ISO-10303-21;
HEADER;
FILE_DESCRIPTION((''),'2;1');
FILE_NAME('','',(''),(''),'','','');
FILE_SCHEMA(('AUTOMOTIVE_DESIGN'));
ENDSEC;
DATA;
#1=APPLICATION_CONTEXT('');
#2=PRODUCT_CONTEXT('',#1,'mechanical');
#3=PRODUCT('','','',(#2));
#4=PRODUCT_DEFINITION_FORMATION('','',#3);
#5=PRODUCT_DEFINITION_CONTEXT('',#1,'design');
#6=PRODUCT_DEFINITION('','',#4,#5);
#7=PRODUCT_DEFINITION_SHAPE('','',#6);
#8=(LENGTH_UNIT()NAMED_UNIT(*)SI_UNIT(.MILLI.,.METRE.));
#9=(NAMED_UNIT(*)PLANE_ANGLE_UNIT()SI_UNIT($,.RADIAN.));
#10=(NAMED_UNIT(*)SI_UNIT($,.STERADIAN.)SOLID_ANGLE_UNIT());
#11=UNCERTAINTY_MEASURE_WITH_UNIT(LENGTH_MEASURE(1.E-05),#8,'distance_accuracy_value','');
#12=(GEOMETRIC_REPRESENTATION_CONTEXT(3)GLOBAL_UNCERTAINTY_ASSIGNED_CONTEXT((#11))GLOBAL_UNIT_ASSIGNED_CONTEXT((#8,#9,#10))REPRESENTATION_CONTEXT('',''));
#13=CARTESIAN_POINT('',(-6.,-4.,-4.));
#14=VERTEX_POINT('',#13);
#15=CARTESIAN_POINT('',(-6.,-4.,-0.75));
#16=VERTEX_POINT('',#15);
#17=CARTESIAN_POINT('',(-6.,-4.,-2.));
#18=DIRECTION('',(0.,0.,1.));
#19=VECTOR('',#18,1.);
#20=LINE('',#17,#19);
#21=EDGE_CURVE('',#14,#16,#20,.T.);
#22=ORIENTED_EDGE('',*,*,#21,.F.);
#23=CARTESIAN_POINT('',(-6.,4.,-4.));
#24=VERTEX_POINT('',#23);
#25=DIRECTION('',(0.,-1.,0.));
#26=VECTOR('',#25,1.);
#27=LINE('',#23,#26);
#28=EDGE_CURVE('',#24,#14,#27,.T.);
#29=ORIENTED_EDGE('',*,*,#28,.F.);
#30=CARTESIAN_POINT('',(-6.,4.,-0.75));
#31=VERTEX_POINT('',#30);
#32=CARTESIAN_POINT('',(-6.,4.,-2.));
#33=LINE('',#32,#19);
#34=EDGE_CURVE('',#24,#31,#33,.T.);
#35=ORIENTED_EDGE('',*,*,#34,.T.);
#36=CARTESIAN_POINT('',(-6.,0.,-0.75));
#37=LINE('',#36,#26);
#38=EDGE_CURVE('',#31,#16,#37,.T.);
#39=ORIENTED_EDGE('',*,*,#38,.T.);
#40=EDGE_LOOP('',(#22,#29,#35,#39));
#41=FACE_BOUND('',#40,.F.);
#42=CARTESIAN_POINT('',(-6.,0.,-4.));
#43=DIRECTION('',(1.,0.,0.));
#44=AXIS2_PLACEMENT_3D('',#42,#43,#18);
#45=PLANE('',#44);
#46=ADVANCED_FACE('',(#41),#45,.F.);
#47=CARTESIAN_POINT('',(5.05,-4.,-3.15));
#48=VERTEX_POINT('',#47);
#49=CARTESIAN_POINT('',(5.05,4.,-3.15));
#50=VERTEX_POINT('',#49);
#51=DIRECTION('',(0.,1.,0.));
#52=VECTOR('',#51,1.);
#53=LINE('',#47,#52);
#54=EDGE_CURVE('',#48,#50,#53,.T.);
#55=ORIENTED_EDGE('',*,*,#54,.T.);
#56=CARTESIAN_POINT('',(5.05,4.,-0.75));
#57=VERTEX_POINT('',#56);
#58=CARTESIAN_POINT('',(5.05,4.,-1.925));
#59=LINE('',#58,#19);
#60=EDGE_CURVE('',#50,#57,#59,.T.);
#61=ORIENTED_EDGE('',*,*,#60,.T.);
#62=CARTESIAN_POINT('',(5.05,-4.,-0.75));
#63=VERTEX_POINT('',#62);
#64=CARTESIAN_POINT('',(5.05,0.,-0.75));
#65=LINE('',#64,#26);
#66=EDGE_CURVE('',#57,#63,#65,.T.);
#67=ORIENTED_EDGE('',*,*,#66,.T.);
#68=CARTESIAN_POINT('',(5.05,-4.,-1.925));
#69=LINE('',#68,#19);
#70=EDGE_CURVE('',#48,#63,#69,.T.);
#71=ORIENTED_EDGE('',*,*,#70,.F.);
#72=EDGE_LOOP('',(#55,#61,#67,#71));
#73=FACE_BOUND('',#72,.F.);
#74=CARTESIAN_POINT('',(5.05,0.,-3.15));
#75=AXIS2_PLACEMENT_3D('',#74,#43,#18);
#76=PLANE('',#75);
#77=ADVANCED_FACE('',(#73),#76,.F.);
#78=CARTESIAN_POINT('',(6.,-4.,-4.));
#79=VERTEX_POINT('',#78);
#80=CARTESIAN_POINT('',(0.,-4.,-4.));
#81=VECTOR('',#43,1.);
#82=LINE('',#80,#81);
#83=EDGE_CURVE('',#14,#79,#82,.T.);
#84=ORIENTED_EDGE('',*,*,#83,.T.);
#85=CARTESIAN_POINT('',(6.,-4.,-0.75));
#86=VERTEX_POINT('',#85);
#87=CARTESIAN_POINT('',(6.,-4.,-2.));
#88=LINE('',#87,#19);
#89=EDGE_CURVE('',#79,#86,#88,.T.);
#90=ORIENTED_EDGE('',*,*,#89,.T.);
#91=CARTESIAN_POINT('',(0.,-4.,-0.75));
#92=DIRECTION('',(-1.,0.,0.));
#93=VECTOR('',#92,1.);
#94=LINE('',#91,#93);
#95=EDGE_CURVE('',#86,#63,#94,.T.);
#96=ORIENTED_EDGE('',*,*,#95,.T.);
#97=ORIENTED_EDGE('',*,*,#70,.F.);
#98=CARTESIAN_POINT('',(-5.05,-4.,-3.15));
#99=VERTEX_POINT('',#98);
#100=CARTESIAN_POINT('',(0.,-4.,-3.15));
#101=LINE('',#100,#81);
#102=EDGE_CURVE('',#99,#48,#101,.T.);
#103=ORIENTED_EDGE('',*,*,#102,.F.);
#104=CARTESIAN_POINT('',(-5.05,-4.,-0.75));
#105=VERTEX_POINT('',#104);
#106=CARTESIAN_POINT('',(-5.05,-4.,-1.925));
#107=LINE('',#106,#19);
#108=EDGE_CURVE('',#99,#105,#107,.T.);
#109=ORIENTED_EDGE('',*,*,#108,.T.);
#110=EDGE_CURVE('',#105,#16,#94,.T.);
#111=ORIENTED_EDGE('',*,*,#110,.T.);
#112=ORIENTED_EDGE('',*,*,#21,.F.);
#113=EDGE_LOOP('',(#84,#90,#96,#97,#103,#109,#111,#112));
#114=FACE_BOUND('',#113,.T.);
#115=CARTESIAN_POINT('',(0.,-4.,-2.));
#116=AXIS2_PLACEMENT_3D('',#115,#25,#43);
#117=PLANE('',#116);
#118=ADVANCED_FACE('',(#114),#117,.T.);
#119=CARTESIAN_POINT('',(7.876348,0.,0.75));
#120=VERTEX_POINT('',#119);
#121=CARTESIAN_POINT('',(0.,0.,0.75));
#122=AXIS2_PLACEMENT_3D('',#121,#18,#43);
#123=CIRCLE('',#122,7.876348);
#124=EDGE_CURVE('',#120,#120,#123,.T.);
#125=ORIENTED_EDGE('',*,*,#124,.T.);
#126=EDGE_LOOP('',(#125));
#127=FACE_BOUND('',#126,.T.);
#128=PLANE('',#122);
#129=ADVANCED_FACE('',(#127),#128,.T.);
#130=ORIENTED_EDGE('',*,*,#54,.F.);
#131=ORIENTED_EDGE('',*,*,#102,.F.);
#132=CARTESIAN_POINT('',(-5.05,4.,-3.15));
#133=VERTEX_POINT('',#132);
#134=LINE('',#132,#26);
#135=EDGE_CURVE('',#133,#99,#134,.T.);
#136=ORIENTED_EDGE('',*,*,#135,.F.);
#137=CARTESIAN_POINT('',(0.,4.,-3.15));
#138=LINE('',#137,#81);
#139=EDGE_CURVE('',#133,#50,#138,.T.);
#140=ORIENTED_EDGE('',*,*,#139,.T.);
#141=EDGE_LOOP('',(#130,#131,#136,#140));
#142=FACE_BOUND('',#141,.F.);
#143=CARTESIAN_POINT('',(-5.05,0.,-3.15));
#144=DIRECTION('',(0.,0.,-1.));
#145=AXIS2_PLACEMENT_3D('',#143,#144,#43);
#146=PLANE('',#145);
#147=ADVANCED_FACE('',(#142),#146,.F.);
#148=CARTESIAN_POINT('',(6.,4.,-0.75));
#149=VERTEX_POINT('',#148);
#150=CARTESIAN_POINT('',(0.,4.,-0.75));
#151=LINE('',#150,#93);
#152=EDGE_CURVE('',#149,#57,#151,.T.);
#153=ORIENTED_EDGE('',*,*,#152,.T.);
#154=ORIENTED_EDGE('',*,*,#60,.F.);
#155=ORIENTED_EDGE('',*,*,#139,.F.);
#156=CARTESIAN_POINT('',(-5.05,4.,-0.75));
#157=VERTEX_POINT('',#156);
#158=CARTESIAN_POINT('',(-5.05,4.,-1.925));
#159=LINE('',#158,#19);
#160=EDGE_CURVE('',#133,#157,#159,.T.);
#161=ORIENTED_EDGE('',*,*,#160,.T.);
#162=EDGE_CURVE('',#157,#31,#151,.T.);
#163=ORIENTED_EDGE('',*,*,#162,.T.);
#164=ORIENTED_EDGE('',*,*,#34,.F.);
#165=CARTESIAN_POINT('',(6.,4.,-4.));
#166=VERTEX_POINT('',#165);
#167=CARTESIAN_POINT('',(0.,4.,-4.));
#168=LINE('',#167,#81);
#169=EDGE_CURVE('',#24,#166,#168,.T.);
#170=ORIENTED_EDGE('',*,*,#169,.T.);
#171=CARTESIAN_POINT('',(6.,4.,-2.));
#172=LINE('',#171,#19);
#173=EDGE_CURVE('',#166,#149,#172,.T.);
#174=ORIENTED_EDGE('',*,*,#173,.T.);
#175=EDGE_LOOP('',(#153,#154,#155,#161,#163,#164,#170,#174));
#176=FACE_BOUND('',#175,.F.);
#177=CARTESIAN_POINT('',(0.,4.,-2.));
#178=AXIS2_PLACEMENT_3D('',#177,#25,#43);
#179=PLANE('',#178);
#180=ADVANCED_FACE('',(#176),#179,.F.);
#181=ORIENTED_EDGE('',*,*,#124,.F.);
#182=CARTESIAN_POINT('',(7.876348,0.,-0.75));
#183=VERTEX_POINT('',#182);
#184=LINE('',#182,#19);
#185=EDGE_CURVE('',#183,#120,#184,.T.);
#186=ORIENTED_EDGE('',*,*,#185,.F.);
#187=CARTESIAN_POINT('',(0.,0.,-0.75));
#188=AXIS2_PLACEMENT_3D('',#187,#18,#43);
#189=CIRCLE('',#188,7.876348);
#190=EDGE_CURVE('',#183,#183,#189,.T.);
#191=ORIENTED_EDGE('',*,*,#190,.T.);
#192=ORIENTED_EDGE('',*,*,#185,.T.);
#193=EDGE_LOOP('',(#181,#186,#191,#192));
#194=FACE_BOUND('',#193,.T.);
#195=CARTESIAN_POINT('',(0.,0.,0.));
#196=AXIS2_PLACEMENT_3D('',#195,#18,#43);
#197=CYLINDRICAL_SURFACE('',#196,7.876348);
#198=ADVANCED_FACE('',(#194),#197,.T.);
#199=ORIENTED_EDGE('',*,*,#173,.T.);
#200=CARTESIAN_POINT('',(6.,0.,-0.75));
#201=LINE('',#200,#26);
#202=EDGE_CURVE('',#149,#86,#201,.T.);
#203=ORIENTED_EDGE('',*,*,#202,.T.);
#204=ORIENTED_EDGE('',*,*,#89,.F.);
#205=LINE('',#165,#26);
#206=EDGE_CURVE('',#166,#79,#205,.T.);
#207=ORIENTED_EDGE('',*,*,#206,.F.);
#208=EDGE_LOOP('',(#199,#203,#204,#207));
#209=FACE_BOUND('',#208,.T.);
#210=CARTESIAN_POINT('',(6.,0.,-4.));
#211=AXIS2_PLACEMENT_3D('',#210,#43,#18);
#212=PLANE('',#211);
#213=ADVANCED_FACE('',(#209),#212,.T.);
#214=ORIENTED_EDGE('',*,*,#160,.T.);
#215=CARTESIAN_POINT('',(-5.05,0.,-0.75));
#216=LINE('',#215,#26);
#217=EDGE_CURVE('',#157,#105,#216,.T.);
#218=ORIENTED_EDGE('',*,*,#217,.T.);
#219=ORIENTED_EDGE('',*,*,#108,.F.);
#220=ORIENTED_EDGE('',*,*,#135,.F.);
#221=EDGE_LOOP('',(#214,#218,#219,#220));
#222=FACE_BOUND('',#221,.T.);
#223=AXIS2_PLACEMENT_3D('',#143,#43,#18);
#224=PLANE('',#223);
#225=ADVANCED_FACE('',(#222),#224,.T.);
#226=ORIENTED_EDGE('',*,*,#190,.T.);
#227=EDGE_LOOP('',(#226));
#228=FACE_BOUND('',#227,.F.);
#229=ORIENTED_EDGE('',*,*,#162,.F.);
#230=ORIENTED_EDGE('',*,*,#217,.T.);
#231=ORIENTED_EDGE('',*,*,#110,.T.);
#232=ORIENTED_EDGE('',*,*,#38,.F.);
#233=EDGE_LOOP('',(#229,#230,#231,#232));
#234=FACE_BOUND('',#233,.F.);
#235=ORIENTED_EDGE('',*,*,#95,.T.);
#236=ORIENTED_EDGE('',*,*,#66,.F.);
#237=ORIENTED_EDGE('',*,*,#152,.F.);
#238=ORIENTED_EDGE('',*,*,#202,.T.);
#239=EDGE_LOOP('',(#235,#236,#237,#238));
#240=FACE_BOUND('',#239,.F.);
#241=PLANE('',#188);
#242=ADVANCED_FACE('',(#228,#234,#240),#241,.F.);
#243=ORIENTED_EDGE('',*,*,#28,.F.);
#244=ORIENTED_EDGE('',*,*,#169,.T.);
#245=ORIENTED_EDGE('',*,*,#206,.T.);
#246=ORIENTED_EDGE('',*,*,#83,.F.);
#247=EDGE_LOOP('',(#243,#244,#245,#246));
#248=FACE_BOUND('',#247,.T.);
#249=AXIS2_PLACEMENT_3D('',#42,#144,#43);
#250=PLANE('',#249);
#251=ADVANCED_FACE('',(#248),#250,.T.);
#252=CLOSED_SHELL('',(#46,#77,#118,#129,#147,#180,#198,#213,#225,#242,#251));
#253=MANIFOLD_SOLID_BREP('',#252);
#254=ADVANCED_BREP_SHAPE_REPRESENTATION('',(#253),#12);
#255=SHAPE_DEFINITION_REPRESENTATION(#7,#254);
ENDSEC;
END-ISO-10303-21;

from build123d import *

# Parameters (mm, degrees)
F0_W     = 12
F0_H     = 4
F0_W_2   = 10.1
F0_H_2   = 2.45
F1_DEPTH = 4
F2_R     = 7.876348
F3_DEPTH = 0.75


with BuildPart() as f1:
    # F0 (on Front) → F1 (new body, symmetric)
    with BuildSketch(Plane.XZ):
        with Locations((0, -2)):
            Rectangle(F0_W, F0_H)
        with Locations((0, -1.925)):
            Rectangle(F0_W_2, F0_H_2, mode=Mode.SUBTRACT)
    extrude(amount=F1_DEPTH, both=True)

    # F2 (on Top) → F3 (join, symmetric)
    with BuildSketch(Plane.XY):
        Circle(F2_R)
    extrude(amount=F3_DEPTH, both=True)


solid = f1.part
